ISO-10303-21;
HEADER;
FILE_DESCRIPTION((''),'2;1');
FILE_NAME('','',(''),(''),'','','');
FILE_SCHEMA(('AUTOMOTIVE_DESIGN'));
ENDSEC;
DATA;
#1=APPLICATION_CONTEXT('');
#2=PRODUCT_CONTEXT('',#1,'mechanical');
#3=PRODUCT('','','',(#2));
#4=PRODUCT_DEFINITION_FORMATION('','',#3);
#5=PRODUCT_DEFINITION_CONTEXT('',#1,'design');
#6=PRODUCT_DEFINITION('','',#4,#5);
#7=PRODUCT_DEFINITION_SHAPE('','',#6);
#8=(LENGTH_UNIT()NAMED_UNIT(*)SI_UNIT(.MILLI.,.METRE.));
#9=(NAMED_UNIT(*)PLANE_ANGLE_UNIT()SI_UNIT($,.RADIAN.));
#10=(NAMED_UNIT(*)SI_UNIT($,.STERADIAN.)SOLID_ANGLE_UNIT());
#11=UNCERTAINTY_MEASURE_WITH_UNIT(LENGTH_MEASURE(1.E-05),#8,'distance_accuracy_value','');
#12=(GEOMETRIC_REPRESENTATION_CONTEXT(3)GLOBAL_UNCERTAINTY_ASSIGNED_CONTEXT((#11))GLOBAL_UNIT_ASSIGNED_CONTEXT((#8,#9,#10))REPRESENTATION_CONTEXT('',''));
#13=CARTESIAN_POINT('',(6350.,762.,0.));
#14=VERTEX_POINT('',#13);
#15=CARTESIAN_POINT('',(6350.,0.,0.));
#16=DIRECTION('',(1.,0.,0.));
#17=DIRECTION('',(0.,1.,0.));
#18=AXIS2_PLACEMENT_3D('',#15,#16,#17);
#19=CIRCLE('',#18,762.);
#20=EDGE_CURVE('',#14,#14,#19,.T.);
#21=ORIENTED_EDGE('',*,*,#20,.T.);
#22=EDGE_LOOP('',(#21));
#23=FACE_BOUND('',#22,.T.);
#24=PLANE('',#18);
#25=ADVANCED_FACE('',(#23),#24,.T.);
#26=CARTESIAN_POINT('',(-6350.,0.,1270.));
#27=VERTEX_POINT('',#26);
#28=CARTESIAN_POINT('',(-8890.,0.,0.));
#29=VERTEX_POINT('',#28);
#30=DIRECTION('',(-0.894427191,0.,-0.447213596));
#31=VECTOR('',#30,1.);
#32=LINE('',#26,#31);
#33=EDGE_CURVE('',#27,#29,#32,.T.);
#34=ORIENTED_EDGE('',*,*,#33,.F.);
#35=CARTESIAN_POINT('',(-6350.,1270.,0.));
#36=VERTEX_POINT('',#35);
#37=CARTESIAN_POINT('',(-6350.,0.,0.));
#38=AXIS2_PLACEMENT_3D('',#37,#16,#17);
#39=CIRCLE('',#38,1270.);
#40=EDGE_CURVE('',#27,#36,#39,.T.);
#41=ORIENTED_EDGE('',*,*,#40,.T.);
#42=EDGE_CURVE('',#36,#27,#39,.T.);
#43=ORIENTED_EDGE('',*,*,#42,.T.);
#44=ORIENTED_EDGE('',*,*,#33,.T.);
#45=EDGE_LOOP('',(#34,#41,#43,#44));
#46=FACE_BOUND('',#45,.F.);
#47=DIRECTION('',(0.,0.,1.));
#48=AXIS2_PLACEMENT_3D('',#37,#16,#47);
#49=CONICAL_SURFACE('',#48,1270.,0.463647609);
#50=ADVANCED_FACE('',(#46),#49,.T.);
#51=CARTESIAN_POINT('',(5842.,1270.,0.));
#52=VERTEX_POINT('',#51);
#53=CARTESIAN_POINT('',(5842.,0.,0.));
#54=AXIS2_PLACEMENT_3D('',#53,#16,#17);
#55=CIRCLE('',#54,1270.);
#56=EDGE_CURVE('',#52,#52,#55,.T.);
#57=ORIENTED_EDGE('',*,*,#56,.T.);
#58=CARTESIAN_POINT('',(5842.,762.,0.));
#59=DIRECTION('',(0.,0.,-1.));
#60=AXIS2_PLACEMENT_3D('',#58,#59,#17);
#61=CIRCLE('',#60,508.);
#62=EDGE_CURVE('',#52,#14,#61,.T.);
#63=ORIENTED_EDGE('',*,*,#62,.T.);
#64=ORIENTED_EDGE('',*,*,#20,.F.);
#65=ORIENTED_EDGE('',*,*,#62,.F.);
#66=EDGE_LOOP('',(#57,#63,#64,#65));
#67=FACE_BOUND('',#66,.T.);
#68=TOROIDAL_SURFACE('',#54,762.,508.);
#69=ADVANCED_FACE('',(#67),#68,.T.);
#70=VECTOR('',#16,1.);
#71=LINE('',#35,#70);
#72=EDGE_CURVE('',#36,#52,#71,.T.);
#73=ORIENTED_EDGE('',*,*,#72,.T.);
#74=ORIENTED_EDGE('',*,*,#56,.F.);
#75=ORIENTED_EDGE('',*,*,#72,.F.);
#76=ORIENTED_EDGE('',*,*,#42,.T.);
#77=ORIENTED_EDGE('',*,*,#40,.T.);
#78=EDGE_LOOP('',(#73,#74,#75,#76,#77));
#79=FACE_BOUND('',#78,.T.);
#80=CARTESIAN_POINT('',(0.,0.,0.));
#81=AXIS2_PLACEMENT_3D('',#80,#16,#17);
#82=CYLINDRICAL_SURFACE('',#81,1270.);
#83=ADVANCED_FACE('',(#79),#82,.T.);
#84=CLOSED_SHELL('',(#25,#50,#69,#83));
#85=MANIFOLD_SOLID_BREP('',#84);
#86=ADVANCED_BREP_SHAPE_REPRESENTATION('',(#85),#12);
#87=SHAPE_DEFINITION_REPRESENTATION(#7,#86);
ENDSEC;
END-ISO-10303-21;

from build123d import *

# Parameters (mm, degrees)
F0_R     = 1270
F1_DEPTH = 6350
F2_R     = 508


with BuildPart() as f1:
    # F0 (on Right) → F1 (new body, symmetric)
    with BuildSketch(Plane.YZ):
        Circle(F0_R)
    extrude(amount=F1_DEPTH, both=True)

    # F2
    f2_edges = [f1.edges().sort_by_distance(p)[0] for p in [
        (6350, -1270, 0),
    ]]
    fillet(f2_edges, radius=F2_R)

    # F3 (on Front) → F4 (revolve)
    with BuildSketch(Plane.XZ):
        Polygon((-6350, 0), (-6350, 1270), (-8890, 0), align=None)
    revolve(axis=Axis((-7620, 0, 0), (1, 0, 0)))


solid = f1.part
